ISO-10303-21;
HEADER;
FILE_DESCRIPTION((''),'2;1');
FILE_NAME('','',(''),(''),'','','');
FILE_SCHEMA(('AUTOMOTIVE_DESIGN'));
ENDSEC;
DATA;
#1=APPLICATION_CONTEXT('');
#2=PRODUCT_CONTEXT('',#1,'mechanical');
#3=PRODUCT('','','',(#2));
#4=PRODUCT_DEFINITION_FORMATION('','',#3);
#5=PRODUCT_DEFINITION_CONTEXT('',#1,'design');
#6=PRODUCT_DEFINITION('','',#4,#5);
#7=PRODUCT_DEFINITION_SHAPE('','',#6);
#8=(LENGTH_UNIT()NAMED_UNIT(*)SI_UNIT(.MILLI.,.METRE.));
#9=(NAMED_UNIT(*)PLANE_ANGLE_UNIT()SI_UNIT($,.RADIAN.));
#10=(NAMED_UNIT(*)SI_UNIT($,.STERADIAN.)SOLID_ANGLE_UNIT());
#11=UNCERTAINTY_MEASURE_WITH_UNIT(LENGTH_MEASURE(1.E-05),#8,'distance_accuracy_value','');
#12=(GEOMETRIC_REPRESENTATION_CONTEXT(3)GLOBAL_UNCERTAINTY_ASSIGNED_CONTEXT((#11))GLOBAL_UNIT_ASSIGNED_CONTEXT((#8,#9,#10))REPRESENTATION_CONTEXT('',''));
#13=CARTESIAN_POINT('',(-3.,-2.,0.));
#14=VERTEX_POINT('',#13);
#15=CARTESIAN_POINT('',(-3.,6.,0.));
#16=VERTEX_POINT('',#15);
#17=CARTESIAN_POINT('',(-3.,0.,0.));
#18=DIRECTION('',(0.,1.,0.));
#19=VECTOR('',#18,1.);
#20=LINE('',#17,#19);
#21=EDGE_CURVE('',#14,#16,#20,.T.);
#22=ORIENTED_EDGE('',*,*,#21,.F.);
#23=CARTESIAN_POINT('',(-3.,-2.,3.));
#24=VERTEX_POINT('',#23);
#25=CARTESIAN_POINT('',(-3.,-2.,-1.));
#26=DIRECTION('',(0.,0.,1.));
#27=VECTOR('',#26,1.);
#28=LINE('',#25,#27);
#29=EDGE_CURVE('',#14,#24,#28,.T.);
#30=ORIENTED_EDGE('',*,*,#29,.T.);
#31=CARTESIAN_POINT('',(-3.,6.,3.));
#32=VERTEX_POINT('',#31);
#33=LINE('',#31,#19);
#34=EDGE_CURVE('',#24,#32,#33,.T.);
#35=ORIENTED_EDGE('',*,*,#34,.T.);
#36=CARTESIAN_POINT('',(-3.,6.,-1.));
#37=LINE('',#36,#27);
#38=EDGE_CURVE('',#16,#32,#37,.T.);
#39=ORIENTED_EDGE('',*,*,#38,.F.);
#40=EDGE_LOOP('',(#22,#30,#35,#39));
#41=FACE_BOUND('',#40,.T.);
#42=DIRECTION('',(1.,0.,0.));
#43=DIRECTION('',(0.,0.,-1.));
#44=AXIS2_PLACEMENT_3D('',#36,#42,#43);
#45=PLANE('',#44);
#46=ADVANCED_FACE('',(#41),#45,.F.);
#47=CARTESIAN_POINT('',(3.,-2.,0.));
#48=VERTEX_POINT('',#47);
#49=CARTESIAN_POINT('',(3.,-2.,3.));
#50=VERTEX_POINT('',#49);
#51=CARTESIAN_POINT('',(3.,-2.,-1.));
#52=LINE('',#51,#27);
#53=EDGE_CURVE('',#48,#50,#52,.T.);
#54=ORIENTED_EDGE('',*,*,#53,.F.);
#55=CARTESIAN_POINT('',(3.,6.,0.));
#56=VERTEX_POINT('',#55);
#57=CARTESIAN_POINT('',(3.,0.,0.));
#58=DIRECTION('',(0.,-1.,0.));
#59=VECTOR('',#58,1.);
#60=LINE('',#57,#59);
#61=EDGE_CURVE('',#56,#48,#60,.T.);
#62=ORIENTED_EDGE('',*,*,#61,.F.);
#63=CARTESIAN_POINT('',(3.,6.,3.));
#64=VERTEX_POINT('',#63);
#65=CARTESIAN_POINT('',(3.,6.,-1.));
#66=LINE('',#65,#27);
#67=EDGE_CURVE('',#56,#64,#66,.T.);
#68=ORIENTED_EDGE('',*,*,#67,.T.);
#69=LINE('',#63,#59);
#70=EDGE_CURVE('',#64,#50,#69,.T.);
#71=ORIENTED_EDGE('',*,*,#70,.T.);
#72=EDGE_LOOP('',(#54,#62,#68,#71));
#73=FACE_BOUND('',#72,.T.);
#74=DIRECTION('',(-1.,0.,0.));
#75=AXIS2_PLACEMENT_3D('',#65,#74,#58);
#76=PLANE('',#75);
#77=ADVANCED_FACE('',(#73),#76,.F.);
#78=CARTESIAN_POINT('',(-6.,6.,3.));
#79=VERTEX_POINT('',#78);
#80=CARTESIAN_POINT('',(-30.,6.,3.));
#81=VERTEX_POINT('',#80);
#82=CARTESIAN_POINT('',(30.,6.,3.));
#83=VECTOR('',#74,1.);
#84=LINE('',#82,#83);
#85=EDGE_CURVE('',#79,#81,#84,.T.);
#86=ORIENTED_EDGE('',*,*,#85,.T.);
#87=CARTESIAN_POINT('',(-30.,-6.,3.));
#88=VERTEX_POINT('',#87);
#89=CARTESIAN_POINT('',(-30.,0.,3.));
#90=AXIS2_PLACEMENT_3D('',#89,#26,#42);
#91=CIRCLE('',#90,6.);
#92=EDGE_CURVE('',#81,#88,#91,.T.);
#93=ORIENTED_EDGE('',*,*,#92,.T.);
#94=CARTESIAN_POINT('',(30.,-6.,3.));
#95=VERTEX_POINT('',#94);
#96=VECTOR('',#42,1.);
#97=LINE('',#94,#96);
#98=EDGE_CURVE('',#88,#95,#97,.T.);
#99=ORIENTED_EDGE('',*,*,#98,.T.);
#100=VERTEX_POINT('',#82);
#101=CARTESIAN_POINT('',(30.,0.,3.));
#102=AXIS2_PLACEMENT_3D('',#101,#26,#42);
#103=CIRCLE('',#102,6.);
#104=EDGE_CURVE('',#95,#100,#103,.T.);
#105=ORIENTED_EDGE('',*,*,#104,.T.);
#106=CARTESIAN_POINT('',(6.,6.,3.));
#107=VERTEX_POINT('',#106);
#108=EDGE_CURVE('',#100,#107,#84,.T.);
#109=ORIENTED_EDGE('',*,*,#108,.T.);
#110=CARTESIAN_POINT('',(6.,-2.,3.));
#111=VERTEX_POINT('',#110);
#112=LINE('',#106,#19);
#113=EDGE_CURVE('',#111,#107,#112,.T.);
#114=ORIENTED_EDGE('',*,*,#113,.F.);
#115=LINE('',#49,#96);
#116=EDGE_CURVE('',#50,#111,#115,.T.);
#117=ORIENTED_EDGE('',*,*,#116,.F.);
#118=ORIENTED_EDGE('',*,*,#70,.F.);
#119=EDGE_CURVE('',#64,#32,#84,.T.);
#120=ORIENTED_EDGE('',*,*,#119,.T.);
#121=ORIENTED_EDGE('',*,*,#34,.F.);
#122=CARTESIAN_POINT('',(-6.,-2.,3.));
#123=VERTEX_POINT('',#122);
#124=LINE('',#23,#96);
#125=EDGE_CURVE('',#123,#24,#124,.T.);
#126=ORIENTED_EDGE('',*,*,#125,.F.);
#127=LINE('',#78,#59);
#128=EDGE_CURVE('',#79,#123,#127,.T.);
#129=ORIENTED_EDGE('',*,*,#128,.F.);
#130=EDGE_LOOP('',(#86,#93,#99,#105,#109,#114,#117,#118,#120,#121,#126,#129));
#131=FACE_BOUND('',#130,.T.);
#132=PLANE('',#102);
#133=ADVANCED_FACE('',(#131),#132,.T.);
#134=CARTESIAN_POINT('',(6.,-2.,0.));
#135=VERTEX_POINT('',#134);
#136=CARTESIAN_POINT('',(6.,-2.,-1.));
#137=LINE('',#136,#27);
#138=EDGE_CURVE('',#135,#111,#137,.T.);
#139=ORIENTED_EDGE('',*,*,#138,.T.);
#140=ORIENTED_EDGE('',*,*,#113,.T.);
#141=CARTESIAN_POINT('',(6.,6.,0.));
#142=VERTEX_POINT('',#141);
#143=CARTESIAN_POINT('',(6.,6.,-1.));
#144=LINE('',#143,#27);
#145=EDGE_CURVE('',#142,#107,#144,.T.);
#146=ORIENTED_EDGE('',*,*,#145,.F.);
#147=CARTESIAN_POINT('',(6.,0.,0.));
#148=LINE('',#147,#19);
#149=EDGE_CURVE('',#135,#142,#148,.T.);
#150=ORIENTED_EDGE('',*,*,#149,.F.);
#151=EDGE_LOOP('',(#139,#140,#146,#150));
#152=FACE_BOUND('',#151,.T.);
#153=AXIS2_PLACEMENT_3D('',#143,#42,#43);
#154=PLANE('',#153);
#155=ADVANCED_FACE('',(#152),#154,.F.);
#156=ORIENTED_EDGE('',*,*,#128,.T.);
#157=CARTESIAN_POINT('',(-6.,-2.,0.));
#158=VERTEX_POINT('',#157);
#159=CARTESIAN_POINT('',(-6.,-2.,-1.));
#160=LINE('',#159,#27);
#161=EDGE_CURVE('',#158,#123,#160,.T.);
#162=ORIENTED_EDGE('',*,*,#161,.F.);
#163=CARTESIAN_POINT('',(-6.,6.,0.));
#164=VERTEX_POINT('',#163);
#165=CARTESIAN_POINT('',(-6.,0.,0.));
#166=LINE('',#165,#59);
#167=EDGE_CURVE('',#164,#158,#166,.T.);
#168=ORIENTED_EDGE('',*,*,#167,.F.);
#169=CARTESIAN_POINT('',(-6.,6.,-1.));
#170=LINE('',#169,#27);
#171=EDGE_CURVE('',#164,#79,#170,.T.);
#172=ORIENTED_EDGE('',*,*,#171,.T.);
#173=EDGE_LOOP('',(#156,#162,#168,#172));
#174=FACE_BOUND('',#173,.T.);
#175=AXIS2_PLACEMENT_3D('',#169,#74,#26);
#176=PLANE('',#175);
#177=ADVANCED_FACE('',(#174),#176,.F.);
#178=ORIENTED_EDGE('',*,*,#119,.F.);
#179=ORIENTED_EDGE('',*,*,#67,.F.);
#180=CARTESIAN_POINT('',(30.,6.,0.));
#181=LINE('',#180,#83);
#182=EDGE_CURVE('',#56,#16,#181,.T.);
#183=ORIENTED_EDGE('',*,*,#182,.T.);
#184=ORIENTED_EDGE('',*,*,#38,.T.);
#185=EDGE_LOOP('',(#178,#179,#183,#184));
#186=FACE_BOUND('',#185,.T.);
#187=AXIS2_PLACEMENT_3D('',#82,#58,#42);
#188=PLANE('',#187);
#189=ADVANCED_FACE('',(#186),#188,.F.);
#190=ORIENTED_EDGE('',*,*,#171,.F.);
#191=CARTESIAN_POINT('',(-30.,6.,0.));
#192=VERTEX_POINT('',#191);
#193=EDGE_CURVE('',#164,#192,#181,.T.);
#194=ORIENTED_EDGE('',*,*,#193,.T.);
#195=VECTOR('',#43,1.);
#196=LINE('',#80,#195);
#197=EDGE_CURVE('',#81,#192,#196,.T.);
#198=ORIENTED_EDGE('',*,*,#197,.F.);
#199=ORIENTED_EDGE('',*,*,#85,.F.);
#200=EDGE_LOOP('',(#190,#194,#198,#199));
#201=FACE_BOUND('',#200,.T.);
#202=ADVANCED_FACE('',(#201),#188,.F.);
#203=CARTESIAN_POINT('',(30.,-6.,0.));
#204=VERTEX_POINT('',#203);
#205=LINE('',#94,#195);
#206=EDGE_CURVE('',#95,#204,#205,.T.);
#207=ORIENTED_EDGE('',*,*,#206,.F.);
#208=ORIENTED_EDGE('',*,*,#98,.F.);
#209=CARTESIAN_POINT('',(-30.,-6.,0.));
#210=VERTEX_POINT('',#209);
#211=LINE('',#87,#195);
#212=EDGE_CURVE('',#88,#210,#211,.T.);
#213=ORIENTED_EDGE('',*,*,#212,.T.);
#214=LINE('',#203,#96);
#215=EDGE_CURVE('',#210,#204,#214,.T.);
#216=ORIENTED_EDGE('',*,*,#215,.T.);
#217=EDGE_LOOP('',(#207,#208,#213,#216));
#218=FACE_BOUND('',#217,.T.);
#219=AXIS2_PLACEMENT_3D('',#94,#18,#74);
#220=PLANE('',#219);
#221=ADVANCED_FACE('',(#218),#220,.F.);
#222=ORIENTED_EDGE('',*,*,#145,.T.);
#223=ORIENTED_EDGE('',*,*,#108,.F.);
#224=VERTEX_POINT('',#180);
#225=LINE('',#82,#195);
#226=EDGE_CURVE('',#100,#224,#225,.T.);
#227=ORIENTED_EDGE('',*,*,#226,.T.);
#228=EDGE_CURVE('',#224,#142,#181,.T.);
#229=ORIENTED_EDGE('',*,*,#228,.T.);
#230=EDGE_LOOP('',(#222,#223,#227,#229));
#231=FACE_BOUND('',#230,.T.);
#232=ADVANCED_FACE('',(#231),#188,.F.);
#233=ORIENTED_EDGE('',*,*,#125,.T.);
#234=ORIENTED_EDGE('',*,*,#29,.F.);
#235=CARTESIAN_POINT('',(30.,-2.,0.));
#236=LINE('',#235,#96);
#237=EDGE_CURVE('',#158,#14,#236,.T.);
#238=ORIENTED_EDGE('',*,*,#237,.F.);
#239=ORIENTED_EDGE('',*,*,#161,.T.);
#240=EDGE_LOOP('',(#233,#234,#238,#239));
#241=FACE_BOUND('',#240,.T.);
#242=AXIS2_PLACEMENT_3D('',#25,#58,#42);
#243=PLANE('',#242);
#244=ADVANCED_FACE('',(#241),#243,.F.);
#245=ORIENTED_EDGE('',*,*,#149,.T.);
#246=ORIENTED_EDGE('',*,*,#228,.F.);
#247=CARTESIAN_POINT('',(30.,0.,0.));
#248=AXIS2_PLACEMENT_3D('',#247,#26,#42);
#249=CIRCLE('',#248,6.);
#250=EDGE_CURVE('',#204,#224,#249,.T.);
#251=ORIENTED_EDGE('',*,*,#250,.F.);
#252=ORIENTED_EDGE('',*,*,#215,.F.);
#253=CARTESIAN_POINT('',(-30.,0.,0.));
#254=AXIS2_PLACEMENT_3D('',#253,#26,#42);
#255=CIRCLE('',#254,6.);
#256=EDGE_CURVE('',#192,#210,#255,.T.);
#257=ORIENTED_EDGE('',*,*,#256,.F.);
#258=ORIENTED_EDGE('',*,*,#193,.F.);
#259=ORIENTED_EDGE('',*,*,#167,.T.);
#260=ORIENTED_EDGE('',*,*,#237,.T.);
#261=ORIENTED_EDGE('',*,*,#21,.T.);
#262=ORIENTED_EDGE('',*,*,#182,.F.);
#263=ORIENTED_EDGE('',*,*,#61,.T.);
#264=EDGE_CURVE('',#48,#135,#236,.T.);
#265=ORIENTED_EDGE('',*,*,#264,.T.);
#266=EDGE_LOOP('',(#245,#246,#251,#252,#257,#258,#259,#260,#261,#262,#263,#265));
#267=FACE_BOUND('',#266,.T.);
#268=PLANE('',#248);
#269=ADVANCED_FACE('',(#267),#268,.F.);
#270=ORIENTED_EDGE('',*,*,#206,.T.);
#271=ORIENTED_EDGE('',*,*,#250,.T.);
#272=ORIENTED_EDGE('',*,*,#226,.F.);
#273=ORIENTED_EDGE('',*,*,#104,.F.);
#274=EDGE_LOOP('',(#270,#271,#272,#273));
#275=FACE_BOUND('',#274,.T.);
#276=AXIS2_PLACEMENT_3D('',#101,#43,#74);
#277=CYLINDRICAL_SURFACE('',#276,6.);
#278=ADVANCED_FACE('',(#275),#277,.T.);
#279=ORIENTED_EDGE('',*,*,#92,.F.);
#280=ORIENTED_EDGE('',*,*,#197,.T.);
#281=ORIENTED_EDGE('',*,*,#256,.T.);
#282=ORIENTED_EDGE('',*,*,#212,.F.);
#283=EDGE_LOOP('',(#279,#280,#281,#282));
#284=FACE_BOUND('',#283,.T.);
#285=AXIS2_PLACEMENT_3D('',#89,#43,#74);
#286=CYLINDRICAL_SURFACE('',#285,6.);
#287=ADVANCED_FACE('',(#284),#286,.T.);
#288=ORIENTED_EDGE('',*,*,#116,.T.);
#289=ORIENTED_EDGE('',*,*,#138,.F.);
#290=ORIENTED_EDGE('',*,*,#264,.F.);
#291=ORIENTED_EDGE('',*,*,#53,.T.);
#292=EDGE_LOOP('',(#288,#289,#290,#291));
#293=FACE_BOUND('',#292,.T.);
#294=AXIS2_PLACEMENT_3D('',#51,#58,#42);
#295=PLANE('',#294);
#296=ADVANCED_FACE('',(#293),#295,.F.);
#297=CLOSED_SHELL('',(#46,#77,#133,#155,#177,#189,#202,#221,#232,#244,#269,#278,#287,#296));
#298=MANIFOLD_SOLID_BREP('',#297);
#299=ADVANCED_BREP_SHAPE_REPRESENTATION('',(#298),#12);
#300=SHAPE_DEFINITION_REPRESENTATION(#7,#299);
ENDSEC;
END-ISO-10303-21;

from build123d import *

# Parameters (mm, degrees)
EXTRUDE_1_DEPTH     = 3
SKETCH_2_W          = 3
SKETCH_2_H          = 8
CUT_EXTRUDE_1_DEPTH = 4


with BuildPart() as part:
    # 草图1 → 凸台-拉伸1 (new body)
    with BuildSketch(Plane.XY):
        with BuildLine():
            Line((30, -6), (-30, -6))
            ThreePointArc((-30, -6), (-36, 0), (-30, 6))
            Line((-30, 6), (30, 6))
            ThreePointArc((30, 6), (36, 0), (30, -6))
        make_face()
    extrude(amount=EXTRUDE_1_DEPTH)

    # 草图2 → 切除-拉伸1 (cut)
    with BuildSketch(Plane.XY.offset(3)):
        with Locations((-4.5, 2)):
            Rectangle(SKETCH_2_W, SKETCH_2_H)
        with Locations((4.5, 2)):
            Rectangle(SKETCH_2_W, SKETCH_2_H)
    extrude(amount=-CUT_EXTRUDE_1_DEPTH, mode=Mode.SUBTRACT)


solid = part.part
